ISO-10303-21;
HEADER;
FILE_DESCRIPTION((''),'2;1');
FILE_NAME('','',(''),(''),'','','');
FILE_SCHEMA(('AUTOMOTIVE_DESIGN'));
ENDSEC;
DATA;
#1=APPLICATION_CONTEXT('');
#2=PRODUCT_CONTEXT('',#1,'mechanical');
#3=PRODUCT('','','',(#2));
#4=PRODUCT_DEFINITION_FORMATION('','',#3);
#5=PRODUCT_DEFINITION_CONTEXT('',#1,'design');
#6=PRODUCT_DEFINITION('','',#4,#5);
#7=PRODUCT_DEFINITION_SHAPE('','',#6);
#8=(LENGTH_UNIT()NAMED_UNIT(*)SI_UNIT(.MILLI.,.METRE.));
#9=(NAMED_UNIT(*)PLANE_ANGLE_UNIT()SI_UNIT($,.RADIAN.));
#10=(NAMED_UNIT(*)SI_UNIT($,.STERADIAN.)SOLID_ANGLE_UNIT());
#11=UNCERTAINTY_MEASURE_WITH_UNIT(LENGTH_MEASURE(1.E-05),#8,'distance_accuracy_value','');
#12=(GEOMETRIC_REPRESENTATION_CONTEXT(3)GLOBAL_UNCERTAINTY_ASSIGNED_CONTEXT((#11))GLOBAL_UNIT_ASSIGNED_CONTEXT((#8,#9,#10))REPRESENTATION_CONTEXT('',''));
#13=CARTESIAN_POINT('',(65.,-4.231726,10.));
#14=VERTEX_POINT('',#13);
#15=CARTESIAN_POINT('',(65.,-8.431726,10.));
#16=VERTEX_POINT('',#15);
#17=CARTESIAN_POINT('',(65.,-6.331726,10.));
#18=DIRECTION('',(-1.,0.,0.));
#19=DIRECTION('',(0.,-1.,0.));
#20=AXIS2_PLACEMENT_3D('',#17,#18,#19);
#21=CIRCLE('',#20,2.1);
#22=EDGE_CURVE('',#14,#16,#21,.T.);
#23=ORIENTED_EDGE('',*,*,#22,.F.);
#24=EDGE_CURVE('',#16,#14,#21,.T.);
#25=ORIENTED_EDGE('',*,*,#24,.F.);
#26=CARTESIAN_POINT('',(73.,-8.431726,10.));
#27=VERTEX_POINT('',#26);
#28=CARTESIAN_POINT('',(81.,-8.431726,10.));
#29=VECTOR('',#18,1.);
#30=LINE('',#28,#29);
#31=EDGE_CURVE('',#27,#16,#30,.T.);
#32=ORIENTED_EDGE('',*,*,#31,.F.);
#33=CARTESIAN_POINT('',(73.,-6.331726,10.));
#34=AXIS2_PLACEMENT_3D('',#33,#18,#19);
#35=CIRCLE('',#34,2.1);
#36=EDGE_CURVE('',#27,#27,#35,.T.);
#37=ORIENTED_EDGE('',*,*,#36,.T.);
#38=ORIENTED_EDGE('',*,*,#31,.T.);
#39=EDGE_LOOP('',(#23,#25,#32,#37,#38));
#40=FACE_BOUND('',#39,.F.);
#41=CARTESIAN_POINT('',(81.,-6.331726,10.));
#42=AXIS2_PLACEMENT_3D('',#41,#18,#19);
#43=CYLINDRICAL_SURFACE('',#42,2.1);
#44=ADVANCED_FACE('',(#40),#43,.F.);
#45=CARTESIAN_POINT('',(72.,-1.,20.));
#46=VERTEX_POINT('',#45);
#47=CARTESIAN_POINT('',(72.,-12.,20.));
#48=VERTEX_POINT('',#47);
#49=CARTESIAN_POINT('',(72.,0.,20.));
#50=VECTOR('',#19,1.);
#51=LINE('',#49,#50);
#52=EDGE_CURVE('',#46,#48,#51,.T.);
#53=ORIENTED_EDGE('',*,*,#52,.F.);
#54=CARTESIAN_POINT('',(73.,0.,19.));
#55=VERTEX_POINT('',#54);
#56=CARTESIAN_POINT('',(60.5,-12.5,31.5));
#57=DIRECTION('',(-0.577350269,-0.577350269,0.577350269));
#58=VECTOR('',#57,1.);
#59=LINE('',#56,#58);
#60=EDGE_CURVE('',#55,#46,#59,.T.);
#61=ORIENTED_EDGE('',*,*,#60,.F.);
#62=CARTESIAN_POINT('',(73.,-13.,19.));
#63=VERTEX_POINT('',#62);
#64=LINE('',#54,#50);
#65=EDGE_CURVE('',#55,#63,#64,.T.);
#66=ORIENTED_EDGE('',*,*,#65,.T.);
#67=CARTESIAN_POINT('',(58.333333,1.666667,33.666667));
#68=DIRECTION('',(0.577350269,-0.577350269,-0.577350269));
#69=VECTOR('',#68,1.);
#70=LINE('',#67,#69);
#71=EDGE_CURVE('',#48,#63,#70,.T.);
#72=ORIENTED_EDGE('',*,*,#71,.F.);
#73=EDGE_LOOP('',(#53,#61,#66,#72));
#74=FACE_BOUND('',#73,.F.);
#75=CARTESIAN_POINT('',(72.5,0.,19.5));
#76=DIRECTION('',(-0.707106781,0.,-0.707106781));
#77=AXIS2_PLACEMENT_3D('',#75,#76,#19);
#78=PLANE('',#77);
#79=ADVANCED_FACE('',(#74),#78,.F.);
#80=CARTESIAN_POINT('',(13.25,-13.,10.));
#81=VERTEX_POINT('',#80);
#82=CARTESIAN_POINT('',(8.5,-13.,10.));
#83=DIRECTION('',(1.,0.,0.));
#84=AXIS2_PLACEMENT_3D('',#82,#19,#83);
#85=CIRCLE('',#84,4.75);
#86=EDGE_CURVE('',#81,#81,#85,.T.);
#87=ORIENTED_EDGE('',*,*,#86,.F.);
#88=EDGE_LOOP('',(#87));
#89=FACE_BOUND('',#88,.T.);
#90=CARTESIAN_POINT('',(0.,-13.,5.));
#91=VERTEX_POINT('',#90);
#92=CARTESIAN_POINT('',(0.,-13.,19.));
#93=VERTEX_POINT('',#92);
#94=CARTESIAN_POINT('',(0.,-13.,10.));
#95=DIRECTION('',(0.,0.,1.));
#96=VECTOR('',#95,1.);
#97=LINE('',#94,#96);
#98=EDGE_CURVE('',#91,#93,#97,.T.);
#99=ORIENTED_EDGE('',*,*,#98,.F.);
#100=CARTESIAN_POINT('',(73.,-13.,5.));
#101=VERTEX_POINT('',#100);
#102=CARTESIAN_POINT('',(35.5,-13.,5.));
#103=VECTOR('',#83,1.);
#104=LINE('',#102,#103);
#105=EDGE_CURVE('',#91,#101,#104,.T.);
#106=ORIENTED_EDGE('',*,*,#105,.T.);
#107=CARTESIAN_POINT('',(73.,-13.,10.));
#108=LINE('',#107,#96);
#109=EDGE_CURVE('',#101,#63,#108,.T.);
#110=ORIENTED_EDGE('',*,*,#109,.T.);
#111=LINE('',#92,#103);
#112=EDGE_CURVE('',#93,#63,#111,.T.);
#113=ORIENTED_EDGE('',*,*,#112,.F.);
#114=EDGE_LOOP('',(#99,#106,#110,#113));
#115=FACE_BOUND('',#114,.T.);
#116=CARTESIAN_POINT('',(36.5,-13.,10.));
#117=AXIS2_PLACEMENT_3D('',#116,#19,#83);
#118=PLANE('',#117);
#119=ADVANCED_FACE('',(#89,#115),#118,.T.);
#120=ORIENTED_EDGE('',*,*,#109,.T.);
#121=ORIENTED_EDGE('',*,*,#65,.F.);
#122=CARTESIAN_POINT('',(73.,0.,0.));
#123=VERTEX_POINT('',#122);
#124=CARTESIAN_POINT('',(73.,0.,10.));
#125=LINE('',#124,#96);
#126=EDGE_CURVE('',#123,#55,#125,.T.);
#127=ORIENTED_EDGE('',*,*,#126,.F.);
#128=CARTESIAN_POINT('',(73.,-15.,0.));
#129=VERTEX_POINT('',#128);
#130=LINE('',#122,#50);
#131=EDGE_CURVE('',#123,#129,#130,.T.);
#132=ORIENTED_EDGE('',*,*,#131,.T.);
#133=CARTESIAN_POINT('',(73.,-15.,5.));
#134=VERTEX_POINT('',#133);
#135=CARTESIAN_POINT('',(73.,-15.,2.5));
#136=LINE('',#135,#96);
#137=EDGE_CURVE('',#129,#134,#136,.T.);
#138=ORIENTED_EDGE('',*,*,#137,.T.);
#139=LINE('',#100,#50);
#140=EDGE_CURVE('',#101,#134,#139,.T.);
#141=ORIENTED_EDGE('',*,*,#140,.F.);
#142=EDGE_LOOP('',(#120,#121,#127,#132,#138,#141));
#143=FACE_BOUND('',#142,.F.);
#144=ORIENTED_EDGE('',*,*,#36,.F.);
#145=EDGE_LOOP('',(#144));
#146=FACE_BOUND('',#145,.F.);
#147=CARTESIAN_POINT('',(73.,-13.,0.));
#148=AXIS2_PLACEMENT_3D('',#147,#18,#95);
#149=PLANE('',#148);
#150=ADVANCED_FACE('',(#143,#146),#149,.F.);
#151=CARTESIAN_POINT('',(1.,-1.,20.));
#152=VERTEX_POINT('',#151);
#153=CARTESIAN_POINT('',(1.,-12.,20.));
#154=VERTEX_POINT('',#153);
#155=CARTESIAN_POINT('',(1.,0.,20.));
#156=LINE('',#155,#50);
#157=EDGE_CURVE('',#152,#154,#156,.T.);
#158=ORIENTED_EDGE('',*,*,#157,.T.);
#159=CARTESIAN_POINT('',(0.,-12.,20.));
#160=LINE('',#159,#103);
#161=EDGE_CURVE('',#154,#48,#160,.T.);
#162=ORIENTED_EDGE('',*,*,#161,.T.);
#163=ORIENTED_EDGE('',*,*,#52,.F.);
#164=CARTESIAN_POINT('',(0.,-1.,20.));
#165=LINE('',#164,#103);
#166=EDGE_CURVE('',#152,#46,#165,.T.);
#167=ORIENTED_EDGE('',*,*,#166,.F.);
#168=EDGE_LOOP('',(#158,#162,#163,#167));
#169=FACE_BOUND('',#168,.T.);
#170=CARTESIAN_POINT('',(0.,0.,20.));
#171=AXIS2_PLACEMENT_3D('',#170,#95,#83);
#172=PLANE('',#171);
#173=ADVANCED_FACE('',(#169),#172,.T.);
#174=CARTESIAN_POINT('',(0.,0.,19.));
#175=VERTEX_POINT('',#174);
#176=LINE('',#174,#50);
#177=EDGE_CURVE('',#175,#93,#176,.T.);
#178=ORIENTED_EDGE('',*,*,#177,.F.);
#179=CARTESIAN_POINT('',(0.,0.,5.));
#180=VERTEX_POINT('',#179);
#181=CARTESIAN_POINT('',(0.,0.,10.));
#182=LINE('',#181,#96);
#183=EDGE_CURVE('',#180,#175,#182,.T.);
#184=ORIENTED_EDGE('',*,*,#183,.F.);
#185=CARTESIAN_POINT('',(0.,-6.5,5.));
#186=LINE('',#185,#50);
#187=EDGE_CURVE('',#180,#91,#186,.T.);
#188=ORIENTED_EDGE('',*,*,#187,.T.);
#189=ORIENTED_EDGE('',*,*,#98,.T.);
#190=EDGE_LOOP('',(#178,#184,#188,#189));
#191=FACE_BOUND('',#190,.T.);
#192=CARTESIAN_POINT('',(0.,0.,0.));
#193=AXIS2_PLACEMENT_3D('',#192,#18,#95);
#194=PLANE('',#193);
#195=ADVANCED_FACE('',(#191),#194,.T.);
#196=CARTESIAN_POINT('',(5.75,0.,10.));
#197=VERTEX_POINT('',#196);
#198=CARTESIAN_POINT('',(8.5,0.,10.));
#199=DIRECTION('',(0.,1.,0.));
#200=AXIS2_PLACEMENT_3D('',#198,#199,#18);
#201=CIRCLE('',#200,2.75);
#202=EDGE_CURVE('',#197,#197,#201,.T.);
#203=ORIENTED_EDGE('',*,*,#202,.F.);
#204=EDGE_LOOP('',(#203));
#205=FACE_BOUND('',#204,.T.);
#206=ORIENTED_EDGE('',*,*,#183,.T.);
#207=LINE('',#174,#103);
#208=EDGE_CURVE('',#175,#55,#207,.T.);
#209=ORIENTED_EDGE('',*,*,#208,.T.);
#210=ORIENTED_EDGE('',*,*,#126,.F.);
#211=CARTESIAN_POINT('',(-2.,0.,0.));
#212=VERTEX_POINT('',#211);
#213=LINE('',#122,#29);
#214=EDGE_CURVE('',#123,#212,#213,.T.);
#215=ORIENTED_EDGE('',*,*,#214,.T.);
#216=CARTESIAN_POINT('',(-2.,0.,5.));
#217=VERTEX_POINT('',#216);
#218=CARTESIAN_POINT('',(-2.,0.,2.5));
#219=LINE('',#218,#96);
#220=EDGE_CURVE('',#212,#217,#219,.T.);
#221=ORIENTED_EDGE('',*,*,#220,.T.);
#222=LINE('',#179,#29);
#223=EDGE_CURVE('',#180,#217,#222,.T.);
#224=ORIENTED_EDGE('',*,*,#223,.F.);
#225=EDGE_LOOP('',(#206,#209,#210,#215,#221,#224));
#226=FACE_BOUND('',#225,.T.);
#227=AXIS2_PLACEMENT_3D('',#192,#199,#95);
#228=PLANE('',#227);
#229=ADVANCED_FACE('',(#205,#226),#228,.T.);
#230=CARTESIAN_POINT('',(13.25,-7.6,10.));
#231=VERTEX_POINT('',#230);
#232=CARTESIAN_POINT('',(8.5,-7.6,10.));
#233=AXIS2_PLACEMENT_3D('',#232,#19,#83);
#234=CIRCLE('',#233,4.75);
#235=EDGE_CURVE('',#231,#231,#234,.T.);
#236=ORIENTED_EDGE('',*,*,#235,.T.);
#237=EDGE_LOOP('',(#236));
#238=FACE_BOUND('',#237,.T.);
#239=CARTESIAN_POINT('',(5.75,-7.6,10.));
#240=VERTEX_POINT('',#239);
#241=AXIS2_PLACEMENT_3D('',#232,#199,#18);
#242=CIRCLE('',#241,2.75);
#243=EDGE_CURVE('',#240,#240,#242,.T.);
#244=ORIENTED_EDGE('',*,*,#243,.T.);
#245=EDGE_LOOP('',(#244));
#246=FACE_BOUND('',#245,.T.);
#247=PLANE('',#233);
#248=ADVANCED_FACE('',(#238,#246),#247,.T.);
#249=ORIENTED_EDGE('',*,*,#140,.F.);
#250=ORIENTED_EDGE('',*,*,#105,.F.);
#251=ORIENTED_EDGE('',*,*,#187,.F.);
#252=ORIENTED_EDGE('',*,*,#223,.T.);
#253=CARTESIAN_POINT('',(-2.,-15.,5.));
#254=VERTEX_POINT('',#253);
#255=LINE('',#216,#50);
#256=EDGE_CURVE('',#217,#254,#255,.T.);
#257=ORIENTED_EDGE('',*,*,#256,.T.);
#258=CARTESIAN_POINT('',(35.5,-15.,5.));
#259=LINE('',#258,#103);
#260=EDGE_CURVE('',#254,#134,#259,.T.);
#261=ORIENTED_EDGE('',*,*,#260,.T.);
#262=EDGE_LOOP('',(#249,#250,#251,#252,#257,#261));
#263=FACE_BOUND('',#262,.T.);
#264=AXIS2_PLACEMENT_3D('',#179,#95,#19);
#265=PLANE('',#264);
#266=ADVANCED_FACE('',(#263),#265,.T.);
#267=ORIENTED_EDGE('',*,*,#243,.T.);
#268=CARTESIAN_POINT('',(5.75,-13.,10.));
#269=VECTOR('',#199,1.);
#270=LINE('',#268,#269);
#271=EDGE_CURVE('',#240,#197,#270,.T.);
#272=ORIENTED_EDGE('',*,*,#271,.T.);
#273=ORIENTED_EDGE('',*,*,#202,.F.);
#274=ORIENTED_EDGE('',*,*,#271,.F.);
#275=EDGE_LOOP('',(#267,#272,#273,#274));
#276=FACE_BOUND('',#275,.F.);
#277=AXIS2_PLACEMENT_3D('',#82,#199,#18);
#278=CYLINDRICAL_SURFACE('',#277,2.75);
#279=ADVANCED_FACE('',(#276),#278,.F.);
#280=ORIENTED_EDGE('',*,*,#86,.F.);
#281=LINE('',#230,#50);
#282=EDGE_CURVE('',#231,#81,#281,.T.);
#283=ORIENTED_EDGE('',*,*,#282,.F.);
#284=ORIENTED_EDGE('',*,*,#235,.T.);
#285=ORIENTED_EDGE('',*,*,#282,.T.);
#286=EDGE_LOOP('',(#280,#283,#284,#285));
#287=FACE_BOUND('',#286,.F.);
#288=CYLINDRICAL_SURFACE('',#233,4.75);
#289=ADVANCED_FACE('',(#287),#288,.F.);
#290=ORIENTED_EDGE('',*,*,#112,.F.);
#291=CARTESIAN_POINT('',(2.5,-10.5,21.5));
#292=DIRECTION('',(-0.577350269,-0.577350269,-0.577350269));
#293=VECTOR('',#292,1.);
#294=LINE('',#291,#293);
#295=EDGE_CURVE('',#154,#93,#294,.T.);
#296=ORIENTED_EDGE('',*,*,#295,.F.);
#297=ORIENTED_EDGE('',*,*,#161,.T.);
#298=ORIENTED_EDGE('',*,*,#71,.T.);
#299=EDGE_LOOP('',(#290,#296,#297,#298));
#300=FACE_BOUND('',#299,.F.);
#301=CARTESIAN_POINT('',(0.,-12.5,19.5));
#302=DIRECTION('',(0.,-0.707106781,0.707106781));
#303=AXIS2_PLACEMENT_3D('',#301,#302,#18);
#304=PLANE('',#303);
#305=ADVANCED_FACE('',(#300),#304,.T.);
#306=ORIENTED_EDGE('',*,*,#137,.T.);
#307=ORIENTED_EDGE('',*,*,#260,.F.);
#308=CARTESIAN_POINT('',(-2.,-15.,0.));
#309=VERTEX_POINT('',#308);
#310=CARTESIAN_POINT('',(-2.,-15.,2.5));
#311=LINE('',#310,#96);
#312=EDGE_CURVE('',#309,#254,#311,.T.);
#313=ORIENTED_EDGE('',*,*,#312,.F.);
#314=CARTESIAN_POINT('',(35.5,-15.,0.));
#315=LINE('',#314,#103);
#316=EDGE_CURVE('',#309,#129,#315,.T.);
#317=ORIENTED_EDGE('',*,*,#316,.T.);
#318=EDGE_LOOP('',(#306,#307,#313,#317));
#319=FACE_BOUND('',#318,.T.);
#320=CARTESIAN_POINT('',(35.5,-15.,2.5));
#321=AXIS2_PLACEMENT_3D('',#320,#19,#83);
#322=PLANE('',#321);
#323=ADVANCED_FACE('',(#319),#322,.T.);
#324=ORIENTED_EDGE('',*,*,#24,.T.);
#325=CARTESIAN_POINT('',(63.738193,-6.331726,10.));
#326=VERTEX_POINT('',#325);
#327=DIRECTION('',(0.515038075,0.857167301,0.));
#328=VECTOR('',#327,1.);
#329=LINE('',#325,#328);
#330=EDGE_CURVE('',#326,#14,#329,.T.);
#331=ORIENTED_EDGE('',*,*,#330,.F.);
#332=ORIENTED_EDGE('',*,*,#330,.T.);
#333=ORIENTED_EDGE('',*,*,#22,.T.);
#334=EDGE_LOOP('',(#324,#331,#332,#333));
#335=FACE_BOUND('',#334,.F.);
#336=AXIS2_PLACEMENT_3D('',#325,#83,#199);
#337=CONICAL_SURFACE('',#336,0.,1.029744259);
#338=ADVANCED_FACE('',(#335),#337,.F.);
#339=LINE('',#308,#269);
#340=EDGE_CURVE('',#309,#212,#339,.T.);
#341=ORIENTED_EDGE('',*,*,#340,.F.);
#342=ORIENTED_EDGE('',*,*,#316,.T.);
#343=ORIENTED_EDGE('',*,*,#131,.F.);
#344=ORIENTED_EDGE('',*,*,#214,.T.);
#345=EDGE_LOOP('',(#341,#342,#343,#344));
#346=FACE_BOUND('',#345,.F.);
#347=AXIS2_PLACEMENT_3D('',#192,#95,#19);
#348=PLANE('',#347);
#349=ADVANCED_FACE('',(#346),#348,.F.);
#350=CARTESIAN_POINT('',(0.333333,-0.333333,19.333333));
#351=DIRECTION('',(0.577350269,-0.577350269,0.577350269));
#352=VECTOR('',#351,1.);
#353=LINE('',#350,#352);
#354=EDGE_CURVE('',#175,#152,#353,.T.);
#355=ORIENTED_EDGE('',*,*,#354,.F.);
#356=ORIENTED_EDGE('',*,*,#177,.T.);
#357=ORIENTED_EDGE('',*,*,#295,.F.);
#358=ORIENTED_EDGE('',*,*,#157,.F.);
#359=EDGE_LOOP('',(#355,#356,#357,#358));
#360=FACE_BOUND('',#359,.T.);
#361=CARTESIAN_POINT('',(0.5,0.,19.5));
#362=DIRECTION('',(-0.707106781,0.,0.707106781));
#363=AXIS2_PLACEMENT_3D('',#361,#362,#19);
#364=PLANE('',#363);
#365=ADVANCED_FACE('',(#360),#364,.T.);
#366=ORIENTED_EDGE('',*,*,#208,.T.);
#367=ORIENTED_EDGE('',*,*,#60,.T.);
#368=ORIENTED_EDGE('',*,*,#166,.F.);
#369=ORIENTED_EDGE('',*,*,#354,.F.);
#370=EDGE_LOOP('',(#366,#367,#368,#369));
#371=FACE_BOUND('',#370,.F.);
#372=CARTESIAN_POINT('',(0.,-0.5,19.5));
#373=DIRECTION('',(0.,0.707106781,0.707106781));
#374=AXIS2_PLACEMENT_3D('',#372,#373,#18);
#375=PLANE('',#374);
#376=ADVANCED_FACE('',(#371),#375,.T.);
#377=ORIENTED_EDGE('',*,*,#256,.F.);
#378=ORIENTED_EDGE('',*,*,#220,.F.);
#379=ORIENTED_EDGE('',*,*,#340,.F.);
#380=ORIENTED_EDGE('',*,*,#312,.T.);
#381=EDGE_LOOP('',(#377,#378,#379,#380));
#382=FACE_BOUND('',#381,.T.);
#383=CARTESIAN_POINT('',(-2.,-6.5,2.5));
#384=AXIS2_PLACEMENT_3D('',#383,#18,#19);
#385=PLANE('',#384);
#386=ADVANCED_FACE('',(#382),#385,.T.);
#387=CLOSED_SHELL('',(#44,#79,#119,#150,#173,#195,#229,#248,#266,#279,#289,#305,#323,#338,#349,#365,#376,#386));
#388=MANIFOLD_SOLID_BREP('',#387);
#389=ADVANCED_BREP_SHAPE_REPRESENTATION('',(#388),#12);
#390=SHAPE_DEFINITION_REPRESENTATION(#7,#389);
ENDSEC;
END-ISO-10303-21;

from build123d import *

# Parameters (mm, degrees)
F0_W           = 73
F0_H           = 20
F1_DEPTH       = 13
F2_W           = 75
F2_H           = 5
F3_DEPTH       = 2
F4_W           = 13
F4_H           = 5
F5_DEPTH       = 2
F7_D           = 5.5
F7_CBORE_D     = 9.5
F7_CBORE_DEPTH = 5.4
F9_D           = 4.2
F9_DEPTH       = 8
F9_TIP         = 1.2618073
F10_SIZE       = 1


with BuildPart() as f1:
    # F0 (on Front) → F1 (new body)
    with BuildSketch(Plane.XZ):
        with Locations((36.5, 10)):
            Rectangle(F0_W, F0_H)
    extrude(amount=F1_DEPTH)

    # F2 (on face) → F3 (join)
    with BuildSketch(Plane.XZ.offset(13)):
        with Locations((35.5, 2.5)):
            Rectangle(F2_W, F2_H)
    extrude(amount=F3_DEPTH)

    # F4 (on face) → F5 (join)
    with BuildSketch(Plane(origin=(0, 0, 0), x_dir=(0, -1, 0), z_dir=(-1, 0, 0))):
        with Locations((6.5, 2.5)):
            Rectangle(F4_W, F4_H)
    extrude(amount=F5_DEPTH)

    # F7 (through all)
    with Locations(Plane.XZ.offset(13)):
        with Locations((8.5, 10)):
            CounterBoreHole(F7_D / 2, F7_CBORE_D / 2, F7_CBORE_DEPTH)

    # F9
    with Locations(Plane.YZ.offset(73)):
        with Locations((-6.3317259774, 10)):
            Hole(F9_D / 2, depth=F9_DEPTH)
            with Locations((0, 0, -(F9_DEPTH + F9_TIP / 2))):  # 118° drill point
                Cone(0, F9_D / 2, F9_TIP, mode=Mode.SUBTRACT)

    # F10
    f10_edges = [f1.edges().sort_by_distance(p)[0] for p in [
        (36.5, 0, 20),
        (36.5, -13, 20),
        (0, -6.5, 20),
        (73, -6.5, 20),
    ]]
    chamfer(f10_edges, length=F10_SIZE)


solid = f1.part
